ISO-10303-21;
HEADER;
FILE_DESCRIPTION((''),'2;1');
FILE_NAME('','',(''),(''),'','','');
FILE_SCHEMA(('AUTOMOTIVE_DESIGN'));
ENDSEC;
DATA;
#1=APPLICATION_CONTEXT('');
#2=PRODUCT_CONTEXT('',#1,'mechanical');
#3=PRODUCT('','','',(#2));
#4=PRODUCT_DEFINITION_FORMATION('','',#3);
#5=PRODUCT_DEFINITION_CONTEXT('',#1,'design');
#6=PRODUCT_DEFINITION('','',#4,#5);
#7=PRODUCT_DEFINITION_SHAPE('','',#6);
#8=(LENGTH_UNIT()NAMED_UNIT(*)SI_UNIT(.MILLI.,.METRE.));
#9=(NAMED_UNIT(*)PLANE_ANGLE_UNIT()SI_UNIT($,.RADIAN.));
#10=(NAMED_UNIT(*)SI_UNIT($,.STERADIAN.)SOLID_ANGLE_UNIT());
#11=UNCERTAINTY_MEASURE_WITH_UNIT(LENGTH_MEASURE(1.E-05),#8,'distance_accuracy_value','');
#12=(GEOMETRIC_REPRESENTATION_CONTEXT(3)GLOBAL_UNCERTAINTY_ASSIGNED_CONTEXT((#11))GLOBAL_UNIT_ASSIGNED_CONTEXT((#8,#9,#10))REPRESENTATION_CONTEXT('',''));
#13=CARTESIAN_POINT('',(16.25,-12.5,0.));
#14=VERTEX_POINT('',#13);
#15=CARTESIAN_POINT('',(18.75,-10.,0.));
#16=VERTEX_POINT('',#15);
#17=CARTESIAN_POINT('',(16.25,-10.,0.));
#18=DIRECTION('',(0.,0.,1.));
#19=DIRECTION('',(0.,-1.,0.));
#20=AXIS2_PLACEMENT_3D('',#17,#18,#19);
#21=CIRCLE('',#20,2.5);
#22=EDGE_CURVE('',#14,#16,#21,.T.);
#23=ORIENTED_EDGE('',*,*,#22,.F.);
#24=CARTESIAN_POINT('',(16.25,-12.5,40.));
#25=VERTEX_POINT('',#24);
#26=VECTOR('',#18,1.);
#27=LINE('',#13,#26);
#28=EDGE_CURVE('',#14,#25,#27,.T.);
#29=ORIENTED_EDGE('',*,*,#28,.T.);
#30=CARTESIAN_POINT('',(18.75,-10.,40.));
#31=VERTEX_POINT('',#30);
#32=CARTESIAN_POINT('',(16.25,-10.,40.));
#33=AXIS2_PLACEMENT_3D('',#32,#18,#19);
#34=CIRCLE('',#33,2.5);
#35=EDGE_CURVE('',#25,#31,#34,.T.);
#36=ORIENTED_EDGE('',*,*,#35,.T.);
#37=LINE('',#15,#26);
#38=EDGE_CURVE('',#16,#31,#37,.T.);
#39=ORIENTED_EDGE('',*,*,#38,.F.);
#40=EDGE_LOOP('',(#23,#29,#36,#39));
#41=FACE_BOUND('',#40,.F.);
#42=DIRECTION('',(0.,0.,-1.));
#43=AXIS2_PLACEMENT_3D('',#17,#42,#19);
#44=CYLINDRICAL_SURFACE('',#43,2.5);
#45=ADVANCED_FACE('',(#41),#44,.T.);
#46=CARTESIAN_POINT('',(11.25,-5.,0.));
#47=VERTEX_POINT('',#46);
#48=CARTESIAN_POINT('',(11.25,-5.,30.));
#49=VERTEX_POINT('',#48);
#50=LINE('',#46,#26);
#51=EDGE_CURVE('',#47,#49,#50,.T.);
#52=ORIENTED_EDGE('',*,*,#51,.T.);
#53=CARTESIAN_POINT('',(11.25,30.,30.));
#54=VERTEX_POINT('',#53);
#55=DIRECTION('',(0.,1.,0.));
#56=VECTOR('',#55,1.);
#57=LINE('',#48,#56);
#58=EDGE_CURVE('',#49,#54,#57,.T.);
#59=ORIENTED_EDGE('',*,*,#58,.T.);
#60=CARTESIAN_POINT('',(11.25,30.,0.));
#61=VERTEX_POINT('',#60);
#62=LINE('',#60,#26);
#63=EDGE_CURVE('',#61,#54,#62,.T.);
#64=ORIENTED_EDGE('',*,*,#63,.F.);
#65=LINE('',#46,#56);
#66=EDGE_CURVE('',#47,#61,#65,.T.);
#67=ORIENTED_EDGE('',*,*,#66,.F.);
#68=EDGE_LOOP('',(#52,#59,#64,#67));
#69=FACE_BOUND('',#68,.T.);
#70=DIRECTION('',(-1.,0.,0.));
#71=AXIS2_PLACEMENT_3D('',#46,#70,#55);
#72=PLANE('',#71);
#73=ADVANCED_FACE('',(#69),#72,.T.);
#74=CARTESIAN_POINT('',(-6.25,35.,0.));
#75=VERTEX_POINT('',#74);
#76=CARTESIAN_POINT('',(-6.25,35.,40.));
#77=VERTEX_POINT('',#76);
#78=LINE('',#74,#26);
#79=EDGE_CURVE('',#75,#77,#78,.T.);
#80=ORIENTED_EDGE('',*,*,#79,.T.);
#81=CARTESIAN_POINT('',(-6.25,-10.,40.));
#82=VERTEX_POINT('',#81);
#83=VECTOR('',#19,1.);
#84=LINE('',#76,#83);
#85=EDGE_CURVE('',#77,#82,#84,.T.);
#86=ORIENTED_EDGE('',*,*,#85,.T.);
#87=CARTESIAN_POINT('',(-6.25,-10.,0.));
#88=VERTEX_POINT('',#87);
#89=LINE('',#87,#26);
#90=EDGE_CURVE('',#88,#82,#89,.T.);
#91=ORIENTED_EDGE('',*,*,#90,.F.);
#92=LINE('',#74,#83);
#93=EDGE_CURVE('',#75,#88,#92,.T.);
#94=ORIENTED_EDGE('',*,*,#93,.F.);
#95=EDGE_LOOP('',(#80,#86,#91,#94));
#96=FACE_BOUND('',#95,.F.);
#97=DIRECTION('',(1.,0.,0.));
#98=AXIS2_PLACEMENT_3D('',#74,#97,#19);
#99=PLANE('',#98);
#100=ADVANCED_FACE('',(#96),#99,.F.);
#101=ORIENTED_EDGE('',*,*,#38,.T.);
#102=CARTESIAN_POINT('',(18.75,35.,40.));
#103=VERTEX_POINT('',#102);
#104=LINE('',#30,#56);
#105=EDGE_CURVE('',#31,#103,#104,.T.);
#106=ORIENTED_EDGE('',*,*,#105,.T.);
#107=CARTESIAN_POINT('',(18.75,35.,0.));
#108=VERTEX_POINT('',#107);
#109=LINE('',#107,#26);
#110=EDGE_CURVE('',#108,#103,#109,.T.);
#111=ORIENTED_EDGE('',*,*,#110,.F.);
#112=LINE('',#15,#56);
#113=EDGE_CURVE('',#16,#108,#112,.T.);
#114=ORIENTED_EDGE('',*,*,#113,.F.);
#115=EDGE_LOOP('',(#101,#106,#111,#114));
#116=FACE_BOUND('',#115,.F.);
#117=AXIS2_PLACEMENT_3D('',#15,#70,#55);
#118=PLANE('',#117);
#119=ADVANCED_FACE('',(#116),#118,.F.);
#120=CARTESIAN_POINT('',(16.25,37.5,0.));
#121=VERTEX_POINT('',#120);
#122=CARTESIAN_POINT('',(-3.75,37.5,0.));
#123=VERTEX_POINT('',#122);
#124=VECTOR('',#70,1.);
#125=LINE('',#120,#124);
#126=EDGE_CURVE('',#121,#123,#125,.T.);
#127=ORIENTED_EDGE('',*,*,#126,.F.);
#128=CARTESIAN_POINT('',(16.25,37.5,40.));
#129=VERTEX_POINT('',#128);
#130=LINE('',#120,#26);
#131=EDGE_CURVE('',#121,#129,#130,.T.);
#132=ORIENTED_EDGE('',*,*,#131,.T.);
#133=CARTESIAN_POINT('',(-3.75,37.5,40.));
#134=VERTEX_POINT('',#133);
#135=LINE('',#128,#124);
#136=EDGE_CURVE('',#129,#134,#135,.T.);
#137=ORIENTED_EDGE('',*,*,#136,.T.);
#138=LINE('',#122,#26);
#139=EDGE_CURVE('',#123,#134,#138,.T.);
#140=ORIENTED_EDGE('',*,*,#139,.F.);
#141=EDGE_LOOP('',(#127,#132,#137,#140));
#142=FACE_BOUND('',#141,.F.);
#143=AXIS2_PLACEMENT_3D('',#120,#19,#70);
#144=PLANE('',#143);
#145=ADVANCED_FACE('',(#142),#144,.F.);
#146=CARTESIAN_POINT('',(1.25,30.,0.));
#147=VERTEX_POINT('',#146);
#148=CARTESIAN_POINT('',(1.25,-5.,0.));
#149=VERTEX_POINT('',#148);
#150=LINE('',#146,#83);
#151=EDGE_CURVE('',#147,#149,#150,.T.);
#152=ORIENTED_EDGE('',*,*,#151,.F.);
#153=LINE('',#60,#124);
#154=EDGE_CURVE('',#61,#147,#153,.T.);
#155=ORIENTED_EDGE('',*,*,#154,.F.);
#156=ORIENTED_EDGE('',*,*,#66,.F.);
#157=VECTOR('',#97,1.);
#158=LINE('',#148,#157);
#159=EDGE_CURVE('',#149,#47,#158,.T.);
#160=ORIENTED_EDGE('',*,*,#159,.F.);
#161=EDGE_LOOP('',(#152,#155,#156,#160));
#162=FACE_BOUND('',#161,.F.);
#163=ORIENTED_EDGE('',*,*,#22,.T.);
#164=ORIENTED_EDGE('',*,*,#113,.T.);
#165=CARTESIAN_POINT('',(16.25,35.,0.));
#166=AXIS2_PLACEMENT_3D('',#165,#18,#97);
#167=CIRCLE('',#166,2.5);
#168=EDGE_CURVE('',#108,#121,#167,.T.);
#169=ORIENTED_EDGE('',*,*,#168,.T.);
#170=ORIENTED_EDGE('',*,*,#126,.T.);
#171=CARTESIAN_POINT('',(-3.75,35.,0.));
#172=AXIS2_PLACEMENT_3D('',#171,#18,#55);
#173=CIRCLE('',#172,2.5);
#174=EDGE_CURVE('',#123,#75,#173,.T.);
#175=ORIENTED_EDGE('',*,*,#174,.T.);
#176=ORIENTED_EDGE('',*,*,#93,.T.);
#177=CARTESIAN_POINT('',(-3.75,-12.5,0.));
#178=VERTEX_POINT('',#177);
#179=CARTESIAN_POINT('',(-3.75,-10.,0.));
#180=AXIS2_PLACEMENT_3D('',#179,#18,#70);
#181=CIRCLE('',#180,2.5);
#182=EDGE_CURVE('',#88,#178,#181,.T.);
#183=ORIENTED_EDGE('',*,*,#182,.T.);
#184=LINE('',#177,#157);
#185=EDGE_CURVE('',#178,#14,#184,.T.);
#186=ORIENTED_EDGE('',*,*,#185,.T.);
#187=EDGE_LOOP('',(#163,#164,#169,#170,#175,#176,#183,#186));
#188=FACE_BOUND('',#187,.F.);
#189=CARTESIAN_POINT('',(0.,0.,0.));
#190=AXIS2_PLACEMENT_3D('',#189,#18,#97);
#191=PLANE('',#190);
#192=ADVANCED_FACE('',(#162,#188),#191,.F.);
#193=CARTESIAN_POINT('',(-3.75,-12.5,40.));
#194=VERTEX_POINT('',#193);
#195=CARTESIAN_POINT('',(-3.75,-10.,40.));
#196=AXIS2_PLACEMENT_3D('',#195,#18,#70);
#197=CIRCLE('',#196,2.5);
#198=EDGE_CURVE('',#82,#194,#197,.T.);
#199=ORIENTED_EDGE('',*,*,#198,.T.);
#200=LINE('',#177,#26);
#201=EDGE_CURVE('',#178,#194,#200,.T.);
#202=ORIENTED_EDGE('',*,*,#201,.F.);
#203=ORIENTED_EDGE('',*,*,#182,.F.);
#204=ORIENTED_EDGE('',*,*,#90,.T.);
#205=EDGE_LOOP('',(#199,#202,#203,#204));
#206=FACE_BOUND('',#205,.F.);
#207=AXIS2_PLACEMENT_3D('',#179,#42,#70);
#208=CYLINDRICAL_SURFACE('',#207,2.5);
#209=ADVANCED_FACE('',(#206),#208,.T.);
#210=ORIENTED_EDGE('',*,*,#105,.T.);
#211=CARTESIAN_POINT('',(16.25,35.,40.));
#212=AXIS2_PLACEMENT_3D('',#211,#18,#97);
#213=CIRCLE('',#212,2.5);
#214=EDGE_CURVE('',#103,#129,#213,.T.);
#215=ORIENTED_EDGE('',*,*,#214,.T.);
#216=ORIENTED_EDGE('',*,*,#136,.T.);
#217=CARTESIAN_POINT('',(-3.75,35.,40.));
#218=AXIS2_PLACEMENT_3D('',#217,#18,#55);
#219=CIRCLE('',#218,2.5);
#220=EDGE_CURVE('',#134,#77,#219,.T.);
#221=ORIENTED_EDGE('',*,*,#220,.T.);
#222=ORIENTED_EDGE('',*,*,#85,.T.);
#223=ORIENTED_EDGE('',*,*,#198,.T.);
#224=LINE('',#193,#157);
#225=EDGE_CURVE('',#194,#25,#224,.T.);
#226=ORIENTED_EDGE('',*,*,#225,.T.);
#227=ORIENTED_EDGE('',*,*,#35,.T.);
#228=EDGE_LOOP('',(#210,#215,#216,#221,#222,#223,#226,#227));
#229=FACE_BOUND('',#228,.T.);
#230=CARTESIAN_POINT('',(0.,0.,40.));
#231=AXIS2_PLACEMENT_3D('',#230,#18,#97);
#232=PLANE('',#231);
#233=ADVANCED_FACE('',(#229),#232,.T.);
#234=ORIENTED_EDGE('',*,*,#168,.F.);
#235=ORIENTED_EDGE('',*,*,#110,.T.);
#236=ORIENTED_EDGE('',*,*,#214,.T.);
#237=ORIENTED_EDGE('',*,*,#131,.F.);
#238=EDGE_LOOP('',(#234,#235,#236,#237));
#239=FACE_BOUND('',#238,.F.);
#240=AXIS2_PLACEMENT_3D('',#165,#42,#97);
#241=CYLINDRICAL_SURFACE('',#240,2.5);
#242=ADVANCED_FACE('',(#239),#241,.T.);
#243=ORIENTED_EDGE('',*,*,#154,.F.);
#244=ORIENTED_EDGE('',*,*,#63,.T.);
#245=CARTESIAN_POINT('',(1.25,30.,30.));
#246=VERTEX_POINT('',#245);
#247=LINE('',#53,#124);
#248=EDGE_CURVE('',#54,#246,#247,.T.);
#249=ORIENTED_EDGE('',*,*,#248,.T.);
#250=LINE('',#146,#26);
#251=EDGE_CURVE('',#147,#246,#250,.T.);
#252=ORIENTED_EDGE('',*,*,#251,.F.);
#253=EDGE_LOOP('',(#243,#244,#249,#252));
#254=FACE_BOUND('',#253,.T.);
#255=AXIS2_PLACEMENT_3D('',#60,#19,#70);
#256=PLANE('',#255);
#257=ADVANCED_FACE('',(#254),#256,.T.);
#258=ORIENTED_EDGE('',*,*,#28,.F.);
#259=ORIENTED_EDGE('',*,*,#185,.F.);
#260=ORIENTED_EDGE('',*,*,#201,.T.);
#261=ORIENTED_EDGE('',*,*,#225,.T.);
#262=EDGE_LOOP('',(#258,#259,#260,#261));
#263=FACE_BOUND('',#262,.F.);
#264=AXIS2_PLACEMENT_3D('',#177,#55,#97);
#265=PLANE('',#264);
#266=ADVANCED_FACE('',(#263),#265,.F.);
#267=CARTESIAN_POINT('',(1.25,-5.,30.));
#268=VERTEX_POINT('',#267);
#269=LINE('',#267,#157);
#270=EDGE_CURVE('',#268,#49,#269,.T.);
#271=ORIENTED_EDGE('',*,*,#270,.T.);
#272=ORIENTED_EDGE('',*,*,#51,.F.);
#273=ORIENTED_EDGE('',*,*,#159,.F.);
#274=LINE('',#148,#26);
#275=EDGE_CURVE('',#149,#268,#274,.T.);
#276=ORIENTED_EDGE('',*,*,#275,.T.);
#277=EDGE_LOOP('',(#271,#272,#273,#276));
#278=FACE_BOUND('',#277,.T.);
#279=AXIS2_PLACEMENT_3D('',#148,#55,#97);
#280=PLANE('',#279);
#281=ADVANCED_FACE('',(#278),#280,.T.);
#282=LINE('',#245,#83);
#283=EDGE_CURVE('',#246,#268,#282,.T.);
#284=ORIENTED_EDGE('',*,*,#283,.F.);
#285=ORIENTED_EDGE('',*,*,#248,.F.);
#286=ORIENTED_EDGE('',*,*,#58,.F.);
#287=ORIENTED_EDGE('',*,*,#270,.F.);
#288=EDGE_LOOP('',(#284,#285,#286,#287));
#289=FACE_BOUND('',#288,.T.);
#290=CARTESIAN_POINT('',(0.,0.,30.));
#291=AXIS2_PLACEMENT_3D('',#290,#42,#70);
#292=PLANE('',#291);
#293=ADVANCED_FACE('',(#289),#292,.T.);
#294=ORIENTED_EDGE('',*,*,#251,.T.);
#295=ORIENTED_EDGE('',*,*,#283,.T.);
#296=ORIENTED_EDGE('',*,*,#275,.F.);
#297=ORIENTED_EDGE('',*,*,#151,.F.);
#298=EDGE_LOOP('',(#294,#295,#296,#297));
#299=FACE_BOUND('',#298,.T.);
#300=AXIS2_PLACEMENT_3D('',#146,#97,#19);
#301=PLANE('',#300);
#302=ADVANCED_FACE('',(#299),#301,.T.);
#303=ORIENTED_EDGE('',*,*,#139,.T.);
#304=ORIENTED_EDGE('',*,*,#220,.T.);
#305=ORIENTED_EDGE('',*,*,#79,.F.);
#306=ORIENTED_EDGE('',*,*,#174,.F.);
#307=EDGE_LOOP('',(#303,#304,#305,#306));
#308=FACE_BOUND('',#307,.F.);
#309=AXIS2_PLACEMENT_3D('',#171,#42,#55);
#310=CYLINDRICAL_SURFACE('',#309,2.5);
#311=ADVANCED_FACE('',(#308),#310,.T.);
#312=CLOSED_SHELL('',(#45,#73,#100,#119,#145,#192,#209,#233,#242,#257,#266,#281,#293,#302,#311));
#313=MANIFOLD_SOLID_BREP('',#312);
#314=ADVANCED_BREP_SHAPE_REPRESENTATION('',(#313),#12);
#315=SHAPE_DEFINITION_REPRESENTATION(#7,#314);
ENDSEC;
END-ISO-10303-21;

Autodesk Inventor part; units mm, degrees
ref_plane "YZ Plane" through (0, 0, 0) normal (1, 0, 0) x (0, 1, 0)
ref_plane "XZ Plane" through (0, 0, 0) normal (0, 1, 0) x (-1, 0, 0)
ref_plane "XY Plane" through (0, 0, 0) normal (0, 0, 1) x (1, 0, 0)
sketch "Sketch1" plane through (0, 0, 0) normal (0, 0, 1) x (1, 0, 0)
  line L0 (11.25, -5) -> (1.25, -5) projected
  line L1 (1.25, -5) -> (1.25, 30) projected
  line L2 (1.25, 30) -> (11.25, 30) projected
  line L3 (11.25, 30) -> (11.25, -5) projected
  arc A0 (16.25, -12.5) -> (18.75, -10) centre (16.25, -10) ccw projected
  line L4 (18.75, -10) -> (18.75, 35) projected
  arc A1 (18.75, 35) -> (16.25, 37.5) centre (16.25, 35) ccw projected
  line L5 (16.25, 37.5) -> (-3.75, 37.5) projected
  arc A2 (-3.75, 37.5) -> (-6.25, 35) centre (-3.75, 35) ccw projected
  line L6 (-6.25, 35) -> (-6.25, -10) projected
  arc A3 (-6.25, -10) -> (-3.75, -12.5) centre (-3.75, -10) ccw projected
  line L7 (-3.75, -12.5) -> (16.25, -12.5) projected
  line L8 (-6.25, -10) -> (-6.25, 35)
  arc A4 (-3.75, 37.5) -> (-6.25, 35) centre (-3.75, 35) ccw
  line L9 (-3.75, 37.5) -> (16.25, 37.5)
  arc A5 (18.75, 35) -> (16.25, 37.5) centre (16.25, 35) ccw
  line L10 (18.75, 35) -> (18.75, -10)
  arc A6 (16.25, -12.5) -> (18.75, -10) centre (16.25, -10) ccw
  line L11 (16.25, -12.5) -> (-3.75, -12.5)
  arc A7 (-6.25, -10) -> (-3.75, -12.5) centre (-3.75, -10) ccw
  point P0 (0, 0)
  dimension "d0" = 0
extrude "Extrusion1" add sketch "Sketch1" along normal blind 40 contours L0 L1 L2 L3 | L7 A3 L6 A2 L5 A1 L4 A0
sketch "Sketch2" plane through (0, 0, 0) normal (0, 0, -1) x (-1, 0, 0)
  line L0 (-16.25, -10) -> (-16.25, 35) projected
  line L1 (3.75, -10) -> (-16.25, -10) projected
  line L2 (3.75, 35) -> (3.75, -10) projected
  line L3 (-16.25, 35) -> (3.75, 35) projected
  line L4 (-11.25, -5) -> (-11.25, 30) projected
  line L5 (-11.25, 30) -> (-1.25, 30) projected
  line L6 (-1.25, 30) -> (-1.25, -5) projected
  line L7 (-1.25, -5) -> (-11.25, -5) projected
  line L8 (-2.75, 28.5) -> (-9.75, 28.5) projected
  line L9 (-9.75, 28.5) -> (-9.75, -3.5) projected
  line L10 (-9.75, -3.5) -> (-2.75, -3.5) projected
  line L11 (-2.75, -3.5) -> (-2.75, 28.5) projected
  line L12 (-1.25, -5) -> (-11.25, -5)
  line L13 (-11.25, -5) -> (-11.25, 30)
  line L14 (-11.25, 30) -> (-1.25, 30)
  line L15 (-1.25, 30) -> (-1.25, -5)
  point P0 (0, 0)
extrude "Extrusion2" cut sketch "Sketch2" against normal blind 30 contours L4 L5 L6 L7 | L11 L10 L9 L8
properties part number "USB_Cap"
